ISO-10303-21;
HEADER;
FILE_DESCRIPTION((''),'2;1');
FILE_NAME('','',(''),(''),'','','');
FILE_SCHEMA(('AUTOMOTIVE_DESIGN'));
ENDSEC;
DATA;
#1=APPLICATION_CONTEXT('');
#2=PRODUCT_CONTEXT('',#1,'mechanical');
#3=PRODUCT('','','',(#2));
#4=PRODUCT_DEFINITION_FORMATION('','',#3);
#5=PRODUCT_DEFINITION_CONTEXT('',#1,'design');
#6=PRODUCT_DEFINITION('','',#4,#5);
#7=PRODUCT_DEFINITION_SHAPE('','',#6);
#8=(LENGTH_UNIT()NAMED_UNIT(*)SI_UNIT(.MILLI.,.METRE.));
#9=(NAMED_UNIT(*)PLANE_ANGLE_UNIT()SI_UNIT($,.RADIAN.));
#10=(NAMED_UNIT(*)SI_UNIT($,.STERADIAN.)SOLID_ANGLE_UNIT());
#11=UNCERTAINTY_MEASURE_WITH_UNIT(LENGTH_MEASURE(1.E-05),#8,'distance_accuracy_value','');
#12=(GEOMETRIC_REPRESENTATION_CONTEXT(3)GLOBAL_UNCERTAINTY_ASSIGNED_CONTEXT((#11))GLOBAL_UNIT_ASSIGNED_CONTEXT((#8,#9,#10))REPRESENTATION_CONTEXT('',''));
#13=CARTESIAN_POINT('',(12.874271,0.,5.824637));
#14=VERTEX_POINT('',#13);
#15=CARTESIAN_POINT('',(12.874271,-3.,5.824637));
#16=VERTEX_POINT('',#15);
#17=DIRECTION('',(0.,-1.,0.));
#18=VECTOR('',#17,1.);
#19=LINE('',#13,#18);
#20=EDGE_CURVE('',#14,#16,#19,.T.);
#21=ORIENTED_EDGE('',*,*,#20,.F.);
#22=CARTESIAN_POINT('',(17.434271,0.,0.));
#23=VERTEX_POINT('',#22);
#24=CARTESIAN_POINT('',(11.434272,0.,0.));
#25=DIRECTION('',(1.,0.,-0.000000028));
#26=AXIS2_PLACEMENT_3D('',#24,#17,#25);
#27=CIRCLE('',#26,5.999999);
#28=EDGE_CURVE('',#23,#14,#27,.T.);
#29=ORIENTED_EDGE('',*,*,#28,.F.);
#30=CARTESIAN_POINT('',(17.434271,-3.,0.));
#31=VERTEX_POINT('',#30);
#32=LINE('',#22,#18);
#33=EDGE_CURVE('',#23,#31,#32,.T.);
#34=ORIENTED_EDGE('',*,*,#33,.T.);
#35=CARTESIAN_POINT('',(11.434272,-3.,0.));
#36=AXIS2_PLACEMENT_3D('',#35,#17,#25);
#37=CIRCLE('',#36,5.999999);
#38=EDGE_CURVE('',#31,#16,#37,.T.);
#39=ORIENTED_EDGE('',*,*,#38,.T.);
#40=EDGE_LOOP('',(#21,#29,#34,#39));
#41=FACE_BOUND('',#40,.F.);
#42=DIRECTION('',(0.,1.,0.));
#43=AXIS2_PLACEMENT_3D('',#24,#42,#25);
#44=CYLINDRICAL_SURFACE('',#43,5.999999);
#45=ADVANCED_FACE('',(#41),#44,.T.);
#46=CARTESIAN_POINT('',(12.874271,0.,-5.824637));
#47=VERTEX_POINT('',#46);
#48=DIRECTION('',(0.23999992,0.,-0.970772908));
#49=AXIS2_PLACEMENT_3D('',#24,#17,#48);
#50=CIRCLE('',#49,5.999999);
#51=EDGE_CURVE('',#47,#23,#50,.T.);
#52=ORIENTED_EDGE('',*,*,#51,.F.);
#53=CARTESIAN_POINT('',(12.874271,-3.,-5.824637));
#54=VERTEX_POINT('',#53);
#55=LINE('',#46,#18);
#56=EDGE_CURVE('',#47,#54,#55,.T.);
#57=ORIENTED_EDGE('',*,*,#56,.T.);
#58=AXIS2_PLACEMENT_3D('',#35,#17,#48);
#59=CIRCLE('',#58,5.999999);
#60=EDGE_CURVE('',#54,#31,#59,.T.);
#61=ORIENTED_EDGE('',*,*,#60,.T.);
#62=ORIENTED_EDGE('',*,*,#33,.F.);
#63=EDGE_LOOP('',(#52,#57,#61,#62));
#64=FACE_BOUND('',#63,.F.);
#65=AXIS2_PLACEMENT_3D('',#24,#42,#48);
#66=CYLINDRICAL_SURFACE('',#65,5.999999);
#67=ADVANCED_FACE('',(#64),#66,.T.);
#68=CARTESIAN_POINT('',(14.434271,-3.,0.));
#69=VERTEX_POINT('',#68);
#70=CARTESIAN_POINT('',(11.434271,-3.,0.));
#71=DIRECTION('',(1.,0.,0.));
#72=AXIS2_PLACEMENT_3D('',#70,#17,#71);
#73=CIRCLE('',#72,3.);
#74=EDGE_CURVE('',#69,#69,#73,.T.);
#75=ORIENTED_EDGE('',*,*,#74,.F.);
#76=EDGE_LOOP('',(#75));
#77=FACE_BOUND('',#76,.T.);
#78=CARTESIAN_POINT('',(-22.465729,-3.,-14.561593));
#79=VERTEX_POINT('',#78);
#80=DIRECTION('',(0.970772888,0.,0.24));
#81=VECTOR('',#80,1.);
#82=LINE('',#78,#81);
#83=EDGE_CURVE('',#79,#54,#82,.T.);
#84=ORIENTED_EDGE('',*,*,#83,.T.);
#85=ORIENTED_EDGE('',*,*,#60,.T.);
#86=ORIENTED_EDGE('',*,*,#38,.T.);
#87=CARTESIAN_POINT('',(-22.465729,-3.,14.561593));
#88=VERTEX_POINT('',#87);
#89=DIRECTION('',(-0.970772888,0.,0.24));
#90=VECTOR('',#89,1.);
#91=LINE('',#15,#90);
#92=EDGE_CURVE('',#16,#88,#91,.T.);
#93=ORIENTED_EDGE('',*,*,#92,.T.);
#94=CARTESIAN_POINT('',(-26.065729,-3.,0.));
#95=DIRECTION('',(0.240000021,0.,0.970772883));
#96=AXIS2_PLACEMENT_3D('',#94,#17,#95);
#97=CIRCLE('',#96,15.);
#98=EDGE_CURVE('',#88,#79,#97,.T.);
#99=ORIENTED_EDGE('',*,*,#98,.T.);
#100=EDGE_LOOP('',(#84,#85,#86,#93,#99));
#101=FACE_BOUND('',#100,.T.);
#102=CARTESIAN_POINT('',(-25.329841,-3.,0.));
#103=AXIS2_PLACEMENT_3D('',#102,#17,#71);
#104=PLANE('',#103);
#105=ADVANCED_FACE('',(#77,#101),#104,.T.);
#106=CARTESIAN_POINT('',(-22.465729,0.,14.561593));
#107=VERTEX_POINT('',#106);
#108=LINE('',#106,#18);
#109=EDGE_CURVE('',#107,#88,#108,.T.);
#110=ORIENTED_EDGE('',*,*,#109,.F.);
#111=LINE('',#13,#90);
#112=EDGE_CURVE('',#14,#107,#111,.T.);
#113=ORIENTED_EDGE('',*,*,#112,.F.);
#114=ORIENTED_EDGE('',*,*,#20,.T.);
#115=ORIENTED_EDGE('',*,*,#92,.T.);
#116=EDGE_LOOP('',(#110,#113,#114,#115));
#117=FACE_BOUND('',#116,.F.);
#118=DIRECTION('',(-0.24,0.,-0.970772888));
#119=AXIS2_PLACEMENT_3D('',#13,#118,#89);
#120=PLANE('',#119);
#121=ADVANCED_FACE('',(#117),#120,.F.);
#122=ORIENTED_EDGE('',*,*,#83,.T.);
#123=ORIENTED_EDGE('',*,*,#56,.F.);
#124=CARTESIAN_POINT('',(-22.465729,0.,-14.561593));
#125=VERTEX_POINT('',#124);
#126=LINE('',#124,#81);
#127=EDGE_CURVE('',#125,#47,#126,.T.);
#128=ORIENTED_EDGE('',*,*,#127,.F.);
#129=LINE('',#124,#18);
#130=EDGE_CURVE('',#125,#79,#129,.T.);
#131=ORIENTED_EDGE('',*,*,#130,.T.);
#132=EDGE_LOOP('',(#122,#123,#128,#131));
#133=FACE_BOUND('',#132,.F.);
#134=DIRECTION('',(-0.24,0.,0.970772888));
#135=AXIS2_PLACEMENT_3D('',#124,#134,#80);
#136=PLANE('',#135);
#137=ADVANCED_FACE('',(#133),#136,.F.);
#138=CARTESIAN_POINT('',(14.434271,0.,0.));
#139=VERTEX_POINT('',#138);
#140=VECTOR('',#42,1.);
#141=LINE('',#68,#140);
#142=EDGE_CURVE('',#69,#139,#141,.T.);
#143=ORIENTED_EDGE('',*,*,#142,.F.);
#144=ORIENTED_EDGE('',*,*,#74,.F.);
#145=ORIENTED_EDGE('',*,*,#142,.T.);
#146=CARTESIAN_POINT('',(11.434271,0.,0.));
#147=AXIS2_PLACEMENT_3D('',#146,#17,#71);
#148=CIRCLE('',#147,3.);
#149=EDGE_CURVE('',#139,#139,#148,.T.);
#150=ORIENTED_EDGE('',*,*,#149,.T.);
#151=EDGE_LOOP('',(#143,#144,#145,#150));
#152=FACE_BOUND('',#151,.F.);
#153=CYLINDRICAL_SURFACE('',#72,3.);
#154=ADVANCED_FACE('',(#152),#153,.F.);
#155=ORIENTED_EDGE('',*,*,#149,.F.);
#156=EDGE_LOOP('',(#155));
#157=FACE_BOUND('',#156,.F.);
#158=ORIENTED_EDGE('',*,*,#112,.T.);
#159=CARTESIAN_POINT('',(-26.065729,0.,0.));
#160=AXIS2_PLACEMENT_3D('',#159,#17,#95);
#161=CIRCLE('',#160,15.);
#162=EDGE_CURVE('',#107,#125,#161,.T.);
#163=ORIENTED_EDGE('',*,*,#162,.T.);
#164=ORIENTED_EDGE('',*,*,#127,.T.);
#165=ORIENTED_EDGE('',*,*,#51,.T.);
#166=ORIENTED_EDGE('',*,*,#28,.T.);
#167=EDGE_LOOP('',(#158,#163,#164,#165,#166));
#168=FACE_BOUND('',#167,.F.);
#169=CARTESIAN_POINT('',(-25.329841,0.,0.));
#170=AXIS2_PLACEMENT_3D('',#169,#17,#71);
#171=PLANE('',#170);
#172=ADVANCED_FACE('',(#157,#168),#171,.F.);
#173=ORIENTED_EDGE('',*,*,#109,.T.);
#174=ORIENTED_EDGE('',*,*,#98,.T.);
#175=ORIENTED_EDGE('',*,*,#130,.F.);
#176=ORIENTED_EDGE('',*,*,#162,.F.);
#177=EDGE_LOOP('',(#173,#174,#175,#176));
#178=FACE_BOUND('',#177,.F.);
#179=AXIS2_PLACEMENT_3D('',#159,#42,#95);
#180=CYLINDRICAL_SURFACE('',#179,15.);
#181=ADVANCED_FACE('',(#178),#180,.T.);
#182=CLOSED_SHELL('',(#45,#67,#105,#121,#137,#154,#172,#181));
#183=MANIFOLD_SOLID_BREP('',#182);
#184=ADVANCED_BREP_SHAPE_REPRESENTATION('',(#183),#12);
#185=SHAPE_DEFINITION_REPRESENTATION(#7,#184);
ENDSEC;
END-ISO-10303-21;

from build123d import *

# Parameters (mm, degrees)
F1_DEPTH = 3
F2_R     = 3
F3_DEPTH = 25


with BuildPart() as f1:
    # F0 (on Front) → F1 (new body)
    with BuildSketch(Plane.XZ):
        with BuildLine():
            ThreePointArc((-22.465729, -14.561593), (-14.254717, -9.246621), (-11.065729, 0))
            ThreePointArc((-11.065729, 0), (-14.254717, 9.246621), (-22.465729, 14.561593))
            ThreePointArc((-22.465729, 14.561593), (-41.065729, 0), (-22.465729, -14.561593))
        make_face()
        with BuildLine():
            ThreePointArc((-22.465729, 14.561593), (-14.254717, 9.246621), (-11.065729, 0))
            ThreePointArc((-11.065729, 0), (-14.254717, -9.246621), (-22.465729, -14.561593))
            Line((-22.465729, -14.561593), (12.874271, -5.824637))
            ThreePointArc((12.874271, -5.824637), (5.434271, 0), (12.874271, 5.824637))
            Line((12.874271, 5.824637), (-22.465729, 14.561593))
        make_face()
        with BuildLine():
            ThreePointArc((17.434271, 0), (16.158676, 3.698648), (12.874271, 5.824637))
            ThreePointArc((12.874271, 5.824637), (5.434271, 0), (12.874271, -5.824637))
            ThreePointArc((12.874271, -5.824637), (16.158676, -3.698648), (17.434271, 0))
        make_face()
    extrude(amount=F1_DEPTH)

    # F2 (on face) → F3 (cut)
    with BuildSketch(Plane.XZ.offset(3)):
        with Locations((11.434271, 0)):
            Circle(F2_R)
    extrude(amount=-F3_DEPTH, mode=Mode.SUBTRACT)


solid = f1.part
